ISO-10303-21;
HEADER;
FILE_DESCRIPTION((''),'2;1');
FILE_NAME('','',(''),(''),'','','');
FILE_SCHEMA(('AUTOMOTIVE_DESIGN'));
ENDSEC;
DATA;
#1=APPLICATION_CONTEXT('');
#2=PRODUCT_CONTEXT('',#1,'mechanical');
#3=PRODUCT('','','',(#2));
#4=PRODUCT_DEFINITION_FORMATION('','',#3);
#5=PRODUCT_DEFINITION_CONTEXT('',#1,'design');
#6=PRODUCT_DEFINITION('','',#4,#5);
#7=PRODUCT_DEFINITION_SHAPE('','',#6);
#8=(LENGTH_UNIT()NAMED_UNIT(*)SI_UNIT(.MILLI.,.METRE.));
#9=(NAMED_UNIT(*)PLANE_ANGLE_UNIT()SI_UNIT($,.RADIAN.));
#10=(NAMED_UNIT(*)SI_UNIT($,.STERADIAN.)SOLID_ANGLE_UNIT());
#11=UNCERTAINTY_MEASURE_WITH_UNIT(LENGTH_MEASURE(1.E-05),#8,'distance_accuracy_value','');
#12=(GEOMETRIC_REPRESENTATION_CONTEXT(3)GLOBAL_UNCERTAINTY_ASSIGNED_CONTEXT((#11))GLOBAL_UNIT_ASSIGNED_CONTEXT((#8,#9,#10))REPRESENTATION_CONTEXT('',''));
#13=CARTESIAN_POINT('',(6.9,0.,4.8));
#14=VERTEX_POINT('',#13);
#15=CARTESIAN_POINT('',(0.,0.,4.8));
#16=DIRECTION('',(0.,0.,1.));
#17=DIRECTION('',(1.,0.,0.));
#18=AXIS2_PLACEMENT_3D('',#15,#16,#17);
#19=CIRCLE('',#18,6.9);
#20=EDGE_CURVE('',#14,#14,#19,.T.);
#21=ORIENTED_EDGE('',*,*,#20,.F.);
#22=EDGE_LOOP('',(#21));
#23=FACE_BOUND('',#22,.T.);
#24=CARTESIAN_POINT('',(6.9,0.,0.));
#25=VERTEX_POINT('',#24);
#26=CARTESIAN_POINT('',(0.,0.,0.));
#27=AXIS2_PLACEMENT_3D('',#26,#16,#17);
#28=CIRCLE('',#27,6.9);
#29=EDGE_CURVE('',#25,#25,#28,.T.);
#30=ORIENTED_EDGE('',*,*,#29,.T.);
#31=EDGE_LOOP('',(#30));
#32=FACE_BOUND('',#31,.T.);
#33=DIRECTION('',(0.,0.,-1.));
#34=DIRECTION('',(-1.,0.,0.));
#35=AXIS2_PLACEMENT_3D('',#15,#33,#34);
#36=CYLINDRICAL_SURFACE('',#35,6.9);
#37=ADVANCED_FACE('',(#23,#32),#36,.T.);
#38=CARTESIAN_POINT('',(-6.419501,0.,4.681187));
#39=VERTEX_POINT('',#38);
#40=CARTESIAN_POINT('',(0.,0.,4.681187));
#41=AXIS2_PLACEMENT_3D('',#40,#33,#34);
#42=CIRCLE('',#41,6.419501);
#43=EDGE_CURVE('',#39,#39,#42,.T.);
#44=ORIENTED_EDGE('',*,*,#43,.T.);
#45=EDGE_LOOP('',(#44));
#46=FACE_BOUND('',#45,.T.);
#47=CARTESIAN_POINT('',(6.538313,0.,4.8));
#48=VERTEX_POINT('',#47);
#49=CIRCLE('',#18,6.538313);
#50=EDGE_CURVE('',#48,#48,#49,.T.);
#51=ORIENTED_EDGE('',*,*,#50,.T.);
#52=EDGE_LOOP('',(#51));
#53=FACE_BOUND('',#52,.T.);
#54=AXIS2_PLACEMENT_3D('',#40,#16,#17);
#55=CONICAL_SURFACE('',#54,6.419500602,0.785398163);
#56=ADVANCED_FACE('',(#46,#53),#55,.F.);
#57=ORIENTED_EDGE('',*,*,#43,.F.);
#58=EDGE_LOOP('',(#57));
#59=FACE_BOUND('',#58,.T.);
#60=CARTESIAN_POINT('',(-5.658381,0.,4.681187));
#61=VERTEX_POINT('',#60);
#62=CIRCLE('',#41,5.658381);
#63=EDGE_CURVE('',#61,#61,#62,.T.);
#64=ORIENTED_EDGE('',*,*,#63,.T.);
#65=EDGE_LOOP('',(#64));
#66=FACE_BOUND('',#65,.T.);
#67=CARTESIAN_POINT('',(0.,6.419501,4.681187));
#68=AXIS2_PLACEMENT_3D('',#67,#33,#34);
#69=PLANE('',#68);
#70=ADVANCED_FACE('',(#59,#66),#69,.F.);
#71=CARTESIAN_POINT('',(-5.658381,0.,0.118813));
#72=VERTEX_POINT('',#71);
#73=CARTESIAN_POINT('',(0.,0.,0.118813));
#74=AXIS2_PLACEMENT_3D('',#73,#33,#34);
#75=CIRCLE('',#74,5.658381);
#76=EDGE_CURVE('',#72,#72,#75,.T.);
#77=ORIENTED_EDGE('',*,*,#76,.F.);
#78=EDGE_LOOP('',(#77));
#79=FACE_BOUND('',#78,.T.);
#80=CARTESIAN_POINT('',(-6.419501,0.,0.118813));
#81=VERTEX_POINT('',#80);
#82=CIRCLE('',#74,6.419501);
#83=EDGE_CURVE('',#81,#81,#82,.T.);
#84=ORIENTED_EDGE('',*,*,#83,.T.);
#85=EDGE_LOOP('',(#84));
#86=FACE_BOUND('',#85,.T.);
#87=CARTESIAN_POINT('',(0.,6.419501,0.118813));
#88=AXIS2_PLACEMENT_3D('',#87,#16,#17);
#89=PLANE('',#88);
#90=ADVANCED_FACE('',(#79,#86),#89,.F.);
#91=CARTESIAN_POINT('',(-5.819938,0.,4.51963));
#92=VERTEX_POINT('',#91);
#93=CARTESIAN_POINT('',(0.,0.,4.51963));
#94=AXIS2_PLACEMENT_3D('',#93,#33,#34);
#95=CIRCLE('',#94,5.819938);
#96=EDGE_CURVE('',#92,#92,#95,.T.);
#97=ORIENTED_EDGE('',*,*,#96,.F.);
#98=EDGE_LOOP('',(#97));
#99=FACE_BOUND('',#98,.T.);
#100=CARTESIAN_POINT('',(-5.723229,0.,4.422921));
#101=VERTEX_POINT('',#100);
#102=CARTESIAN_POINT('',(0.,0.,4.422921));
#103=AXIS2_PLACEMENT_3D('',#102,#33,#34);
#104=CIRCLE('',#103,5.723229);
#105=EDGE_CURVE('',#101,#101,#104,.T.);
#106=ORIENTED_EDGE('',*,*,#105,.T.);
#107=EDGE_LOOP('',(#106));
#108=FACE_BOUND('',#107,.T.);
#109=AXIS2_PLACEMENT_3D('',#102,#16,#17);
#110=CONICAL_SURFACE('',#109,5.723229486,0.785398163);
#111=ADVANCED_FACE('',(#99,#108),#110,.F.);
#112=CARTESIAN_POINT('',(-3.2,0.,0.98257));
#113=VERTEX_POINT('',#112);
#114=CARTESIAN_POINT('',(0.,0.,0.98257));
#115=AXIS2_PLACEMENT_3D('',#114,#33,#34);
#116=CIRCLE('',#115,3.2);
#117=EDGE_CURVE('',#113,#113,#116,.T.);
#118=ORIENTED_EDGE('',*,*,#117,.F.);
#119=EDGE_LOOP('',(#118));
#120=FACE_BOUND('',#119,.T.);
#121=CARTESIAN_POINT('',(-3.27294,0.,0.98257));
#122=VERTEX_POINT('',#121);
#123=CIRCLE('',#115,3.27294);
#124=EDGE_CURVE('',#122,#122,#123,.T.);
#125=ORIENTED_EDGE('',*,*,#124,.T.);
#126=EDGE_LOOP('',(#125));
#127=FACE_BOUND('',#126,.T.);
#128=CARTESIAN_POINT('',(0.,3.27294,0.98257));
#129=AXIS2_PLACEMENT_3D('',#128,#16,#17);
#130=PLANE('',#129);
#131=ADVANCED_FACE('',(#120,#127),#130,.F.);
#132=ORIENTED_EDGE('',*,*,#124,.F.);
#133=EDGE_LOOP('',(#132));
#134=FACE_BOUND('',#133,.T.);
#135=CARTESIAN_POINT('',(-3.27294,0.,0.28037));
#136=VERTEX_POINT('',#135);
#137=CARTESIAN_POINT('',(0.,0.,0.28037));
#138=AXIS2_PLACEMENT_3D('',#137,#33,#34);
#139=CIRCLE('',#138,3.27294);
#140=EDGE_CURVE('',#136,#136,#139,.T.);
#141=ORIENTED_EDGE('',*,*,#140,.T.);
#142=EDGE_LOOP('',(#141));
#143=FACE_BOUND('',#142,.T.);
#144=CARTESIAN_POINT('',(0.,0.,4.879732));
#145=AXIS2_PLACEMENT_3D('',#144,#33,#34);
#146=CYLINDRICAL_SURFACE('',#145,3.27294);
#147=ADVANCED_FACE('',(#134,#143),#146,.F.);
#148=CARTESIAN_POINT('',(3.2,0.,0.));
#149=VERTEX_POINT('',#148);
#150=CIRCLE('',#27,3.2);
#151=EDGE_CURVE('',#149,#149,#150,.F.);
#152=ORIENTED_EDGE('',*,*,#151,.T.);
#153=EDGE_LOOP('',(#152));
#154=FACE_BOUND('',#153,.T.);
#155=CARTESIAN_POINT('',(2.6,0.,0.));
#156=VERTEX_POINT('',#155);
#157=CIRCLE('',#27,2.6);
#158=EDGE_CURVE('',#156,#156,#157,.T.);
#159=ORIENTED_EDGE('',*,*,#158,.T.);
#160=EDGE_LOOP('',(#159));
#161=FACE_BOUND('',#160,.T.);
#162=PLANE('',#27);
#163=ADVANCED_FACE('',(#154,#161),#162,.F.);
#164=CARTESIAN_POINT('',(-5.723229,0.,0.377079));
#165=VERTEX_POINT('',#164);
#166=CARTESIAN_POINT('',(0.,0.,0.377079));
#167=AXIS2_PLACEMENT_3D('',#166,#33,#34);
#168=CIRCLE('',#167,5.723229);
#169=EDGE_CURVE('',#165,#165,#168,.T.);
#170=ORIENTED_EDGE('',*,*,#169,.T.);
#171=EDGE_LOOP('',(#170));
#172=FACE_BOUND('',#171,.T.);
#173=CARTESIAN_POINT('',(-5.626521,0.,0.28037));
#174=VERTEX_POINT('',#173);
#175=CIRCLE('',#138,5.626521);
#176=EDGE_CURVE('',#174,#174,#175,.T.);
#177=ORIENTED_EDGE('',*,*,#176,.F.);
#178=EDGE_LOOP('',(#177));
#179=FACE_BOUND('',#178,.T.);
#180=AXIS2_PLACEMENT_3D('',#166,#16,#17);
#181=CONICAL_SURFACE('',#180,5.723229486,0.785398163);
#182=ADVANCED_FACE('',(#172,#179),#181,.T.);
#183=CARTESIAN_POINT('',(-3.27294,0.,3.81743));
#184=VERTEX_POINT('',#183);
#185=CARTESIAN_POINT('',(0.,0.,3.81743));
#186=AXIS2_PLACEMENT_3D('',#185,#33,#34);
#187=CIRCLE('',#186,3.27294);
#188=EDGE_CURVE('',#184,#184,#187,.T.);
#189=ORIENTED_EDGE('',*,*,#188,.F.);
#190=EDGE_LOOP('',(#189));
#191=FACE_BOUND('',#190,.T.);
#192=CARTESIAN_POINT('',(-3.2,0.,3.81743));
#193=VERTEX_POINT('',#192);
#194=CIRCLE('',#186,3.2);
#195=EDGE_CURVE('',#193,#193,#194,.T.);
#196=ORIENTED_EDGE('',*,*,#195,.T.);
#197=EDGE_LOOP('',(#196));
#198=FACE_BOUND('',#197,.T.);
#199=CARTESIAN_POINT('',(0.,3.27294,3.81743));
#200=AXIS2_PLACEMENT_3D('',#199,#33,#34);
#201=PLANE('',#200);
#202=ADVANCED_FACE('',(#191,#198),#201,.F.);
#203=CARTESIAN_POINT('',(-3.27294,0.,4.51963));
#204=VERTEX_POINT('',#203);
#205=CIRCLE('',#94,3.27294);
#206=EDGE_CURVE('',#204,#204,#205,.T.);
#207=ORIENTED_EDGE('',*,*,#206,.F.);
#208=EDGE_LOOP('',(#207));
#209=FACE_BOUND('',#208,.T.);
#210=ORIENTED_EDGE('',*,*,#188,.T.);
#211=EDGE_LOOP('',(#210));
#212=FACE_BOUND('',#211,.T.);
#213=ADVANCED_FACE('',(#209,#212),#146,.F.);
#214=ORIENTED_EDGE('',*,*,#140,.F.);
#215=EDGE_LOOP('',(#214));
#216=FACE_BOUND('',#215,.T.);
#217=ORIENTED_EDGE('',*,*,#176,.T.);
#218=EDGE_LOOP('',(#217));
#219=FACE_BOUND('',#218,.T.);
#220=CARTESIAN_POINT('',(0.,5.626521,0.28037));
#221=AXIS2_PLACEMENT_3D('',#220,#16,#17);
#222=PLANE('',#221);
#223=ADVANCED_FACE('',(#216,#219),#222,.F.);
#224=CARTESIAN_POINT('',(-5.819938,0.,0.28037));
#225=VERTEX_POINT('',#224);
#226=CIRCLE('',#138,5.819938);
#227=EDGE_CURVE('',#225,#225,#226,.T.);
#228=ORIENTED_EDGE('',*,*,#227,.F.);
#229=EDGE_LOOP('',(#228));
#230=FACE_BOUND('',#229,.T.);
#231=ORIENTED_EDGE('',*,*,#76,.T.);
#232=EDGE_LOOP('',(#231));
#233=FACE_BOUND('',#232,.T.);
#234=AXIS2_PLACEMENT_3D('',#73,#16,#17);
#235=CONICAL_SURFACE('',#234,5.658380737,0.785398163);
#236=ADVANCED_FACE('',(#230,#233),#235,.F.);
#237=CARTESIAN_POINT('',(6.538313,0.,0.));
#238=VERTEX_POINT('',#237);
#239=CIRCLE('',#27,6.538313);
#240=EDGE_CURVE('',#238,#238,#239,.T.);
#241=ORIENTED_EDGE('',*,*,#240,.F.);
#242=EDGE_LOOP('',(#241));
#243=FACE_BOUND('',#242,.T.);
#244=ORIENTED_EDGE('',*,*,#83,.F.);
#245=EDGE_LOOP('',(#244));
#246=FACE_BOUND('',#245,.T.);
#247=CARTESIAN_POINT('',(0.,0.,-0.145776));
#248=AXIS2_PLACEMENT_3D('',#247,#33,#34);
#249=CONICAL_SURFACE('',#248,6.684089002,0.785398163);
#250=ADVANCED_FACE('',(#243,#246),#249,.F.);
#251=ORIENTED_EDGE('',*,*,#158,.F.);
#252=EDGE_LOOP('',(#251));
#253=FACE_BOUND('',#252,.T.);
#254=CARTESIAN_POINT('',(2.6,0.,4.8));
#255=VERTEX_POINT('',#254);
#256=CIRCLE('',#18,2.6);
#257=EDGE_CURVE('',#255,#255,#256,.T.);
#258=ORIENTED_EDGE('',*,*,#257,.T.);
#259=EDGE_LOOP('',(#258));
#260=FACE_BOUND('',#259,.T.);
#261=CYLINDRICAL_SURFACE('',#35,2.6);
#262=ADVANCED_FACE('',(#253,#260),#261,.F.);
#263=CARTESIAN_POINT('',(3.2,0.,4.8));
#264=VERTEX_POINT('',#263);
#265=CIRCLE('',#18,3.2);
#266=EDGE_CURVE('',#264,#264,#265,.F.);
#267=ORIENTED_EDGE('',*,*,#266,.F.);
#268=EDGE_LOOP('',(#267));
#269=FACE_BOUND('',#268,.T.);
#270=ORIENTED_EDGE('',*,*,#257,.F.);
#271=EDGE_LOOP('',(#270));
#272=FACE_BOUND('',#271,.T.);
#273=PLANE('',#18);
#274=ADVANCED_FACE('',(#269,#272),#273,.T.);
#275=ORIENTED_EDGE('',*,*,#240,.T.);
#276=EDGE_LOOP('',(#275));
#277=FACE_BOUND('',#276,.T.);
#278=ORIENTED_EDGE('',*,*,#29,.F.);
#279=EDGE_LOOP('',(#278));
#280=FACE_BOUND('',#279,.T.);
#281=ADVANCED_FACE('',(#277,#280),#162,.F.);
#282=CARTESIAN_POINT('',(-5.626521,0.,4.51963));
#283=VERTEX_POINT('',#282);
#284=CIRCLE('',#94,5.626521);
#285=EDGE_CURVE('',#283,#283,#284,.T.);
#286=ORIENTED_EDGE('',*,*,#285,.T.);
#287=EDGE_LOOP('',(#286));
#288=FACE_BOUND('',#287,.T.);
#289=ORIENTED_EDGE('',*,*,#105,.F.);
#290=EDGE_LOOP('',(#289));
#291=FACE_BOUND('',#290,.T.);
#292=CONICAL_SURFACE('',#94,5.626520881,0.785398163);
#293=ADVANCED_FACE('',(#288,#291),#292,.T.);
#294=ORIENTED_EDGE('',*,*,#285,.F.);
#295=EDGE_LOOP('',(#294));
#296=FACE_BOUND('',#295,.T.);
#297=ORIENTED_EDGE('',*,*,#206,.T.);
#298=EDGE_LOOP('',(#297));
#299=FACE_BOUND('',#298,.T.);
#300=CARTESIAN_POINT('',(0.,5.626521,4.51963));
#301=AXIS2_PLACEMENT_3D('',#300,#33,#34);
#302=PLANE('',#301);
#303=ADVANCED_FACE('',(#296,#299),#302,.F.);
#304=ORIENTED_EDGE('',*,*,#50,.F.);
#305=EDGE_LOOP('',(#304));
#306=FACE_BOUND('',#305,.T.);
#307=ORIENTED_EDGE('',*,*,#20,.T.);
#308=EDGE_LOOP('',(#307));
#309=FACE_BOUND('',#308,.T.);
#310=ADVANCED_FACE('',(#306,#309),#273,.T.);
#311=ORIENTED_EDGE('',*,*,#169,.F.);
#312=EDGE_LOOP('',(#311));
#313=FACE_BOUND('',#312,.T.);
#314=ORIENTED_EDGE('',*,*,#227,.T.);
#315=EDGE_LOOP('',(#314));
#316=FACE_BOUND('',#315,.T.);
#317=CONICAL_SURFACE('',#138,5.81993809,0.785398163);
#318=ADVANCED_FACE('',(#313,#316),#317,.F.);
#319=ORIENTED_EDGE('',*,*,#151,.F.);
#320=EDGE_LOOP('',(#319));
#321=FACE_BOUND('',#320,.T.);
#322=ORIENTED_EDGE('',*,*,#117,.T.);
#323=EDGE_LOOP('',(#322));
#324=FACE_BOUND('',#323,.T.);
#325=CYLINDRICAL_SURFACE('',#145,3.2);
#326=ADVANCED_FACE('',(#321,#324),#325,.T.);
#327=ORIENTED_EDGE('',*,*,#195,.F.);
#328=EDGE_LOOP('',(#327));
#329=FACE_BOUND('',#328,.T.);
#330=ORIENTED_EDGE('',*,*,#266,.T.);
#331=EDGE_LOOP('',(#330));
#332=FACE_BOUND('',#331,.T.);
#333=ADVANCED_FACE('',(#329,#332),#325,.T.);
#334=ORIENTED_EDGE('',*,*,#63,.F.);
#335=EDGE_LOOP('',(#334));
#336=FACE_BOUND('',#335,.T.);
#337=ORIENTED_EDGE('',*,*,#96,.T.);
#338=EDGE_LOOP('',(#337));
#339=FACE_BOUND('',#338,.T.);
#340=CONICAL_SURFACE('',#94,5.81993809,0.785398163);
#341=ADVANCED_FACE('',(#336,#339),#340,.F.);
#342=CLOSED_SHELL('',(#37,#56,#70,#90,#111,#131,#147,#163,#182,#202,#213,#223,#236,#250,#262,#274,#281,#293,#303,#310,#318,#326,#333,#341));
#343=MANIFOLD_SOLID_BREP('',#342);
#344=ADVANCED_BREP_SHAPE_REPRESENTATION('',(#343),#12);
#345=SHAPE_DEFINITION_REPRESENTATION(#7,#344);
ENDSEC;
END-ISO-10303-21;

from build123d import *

# Parameters (mm, degrees)
SKETCH1_R           = 6.9
SKETCH1_R_2         = 2.6
BOSS_EXTRUDE1_DEPTH = 4.8


with BuildPart() as part:
    # Sketch1 → Boss-Extrude1 (new body)
    with BuildSketch(Plane.XY):
        Circle(SKETCH1_R)
        Circle(SKETCH1_R_2, mode=Mode.SUBTRACT)
    extrude(amount=BOSS_EXTRUDE1_DEPTH)

    # Sketch2 → Cut-Revolve1 (revolve, cut)
    with BuildSketch(Plane(origin=(0, 0, 0), x_dir=(0, 0, -1), z_dir=(1, 0, 0)), mode=Mode.PRIVATE) as cut_revolve1_sk:
        Polygon((-5.047973747, 6.3), (-4.9457756, 6.3), (-4.9457756, 6.684089002), (-4.6811872, 6.419500602), (-4.6811872, 5.658380737), (-4.519629847, 5.81993809), (-4.422921243, 5.723229486), (-4.519629847, 5.626520881), (-4.519629847, 3.272939667), (-3.81743033, 3.272939667), (-3.81743033, 3.2), (-4.879732163, 3.2), (-4.879732163, 0), (-5.869193326, 0), (-5.869193326, 6.3), align=None)
        Polygon((1.069193326, 6.3), (0.247973747, 6.3), (0.1457756, 6.3), (0.1457756, 6.684089002), (-0.1188128, 6.419500602), (-0.1188128, 5.658380737), (-0.280370153, 5.81993809), (-0.377078757, 5.723229486), (-0.280370153, 5.626520881), (-0.280370153, 3.272939667), (-0.98256967, 3.272939667), (-0.98256967, 3.2), (0.079732163, 3.2), (0.079732163, 0), (1.069193326, 0), align=None)
    revolve(cut_revolve1_sk.sketch.rotate(Axis((0, 0, 4.879732163), (0, 0, 1)), 90), axis=Axis((0, 0, 4.879732163), (0, 0, 1)), mode=Mode.SUBTRACT)


solid = part.part
